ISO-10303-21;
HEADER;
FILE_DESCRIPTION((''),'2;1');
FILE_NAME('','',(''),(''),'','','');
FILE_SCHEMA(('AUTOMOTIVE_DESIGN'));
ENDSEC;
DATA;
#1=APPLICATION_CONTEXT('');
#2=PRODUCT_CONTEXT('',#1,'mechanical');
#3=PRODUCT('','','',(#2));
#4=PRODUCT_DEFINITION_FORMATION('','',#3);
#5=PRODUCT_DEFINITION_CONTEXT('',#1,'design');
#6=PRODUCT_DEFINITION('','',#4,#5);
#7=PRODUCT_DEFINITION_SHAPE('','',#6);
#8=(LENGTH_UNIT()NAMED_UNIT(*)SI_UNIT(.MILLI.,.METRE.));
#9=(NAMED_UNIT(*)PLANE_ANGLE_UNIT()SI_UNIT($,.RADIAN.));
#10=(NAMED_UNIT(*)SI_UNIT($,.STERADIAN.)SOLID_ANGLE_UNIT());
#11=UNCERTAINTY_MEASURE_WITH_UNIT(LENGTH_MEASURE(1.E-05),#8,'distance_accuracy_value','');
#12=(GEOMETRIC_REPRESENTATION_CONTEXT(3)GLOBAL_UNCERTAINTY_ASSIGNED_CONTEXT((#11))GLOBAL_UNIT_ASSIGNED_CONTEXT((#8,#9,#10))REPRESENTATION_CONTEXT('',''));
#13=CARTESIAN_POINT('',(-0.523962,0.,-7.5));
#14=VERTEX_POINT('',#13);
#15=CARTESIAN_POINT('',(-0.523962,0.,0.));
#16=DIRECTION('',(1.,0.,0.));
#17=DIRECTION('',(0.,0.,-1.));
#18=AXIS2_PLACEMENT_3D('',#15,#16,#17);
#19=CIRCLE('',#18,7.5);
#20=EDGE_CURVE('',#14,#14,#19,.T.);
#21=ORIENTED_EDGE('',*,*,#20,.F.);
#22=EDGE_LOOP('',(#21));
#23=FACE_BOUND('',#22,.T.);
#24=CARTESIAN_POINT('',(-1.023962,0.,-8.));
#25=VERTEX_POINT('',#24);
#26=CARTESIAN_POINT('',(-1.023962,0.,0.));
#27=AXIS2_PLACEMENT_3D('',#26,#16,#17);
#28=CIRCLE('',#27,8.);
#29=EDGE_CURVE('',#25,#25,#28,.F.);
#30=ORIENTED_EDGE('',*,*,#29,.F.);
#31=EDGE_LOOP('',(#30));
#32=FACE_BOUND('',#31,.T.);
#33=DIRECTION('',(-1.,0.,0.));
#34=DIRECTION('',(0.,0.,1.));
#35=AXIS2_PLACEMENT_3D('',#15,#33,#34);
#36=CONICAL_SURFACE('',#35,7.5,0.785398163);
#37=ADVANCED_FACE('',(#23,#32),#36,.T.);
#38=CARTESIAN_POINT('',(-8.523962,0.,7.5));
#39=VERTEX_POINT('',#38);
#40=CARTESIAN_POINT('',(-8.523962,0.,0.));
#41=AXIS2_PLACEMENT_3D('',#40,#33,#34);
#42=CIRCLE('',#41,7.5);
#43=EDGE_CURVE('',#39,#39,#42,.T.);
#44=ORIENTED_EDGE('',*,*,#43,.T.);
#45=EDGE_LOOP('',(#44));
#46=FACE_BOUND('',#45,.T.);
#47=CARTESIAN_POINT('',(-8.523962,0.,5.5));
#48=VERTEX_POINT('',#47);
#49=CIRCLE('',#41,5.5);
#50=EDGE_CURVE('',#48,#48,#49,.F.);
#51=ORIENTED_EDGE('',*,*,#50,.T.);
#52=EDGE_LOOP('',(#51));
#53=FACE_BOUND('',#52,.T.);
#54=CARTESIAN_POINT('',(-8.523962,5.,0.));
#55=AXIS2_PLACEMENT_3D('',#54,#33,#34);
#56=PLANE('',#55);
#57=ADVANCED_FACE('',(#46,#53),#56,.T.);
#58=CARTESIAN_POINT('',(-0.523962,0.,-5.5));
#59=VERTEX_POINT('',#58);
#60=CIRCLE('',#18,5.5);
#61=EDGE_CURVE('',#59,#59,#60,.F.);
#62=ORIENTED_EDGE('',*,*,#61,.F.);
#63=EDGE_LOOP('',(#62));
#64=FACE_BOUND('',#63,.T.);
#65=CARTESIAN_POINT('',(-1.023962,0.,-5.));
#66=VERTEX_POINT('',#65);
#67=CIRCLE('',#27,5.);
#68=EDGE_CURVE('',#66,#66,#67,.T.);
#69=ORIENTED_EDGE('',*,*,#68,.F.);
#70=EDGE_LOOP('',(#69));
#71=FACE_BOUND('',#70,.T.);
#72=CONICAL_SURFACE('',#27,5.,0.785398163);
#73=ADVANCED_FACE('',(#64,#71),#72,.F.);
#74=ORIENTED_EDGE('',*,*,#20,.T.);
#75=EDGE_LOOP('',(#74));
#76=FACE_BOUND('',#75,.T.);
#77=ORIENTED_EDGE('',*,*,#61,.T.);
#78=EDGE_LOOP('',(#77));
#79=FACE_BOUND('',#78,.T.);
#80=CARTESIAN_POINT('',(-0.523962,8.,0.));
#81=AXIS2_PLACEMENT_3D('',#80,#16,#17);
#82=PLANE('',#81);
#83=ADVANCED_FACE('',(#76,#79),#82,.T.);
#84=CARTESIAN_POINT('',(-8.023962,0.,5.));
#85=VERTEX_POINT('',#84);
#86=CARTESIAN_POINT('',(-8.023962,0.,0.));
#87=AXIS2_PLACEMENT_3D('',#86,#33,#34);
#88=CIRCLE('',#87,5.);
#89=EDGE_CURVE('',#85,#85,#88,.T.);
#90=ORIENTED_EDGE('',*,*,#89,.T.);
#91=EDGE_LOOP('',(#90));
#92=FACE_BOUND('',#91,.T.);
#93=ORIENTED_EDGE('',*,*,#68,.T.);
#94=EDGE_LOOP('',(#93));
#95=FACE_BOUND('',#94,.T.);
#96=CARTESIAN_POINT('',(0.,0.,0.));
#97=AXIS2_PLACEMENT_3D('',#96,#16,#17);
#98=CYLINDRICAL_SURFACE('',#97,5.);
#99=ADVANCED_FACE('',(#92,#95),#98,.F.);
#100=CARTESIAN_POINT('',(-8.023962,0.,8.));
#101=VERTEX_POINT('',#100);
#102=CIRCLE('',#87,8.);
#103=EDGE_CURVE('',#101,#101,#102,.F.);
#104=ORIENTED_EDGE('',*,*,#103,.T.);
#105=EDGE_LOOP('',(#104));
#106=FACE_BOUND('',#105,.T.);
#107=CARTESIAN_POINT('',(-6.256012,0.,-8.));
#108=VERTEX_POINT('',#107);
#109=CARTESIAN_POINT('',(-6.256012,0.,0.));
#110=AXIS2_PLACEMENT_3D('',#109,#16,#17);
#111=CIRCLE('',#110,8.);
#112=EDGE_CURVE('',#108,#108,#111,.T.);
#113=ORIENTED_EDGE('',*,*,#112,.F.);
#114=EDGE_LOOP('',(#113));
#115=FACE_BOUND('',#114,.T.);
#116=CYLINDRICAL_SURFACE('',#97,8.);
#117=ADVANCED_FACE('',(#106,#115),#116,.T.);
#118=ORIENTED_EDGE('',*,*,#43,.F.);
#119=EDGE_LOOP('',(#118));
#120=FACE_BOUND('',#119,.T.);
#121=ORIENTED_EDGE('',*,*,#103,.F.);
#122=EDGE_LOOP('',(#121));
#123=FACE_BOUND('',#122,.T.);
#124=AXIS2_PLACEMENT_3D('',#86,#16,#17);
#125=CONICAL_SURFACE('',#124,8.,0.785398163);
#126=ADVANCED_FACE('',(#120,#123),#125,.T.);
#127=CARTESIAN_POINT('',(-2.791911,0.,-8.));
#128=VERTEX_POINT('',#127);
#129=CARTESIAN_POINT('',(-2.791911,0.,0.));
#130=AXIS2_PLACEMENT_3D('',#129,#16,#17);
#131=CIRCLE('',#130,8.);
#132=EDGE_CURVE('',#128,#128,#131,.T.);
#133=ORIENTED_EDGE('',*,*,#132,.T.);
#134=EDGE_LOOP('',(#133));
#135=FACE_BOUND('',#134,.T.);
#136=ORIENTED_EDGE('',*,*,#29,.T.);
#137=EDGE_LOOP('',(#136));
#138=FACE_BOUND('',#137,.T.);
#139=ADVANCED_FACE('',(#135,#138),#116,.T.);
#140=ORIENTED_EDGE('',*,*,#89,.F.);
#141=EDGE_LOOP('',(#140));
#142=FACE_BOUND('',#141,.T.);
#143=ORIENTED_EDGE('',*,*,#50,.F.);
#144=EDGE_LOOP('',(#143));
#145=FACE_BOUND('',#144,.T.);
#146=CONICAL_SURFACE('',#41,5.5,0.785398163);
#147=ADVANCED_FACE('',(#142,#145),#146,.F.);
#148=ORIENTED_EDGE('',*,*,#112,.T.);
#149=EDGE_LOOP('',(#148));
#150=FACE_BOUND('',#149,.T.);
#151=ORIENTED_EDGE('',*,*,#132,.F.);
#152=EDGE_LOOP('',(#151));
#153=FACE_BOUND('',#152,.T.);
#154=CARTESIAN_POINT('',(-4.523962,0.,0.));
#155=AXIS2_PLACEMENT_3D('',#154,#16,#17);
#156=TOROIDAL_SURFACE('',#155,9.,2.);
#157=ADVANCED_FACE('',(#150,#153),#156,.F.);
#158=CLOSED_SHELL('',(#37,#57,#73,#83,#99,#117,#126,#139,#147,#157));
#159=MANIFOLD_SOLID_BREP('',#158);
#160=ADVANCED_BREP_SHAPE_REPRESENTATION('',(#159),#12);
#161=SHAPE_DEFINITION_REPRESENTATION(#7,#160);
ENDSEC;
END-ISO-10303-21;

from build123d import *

# Parameters (mm, degrees)
PAH1_SIZE = 0.5


with BuildPart() as part:
    # Çizim1 → Döndür1 (revolve)
    with BuildSketch(Plane.XY, mode=Mode.PRIVATE) as d_nd_r1_sk:
        with BuildLine():
            Line((-0.523961526, 5), (-8.523961526, 5))
            Line((-8.523961526, 5), (-8.523961526, 8))
            Line((-8.523961526, 8), (-6.256012333, 8))
            ThreePointArc((-6.256012333, 8), (-4.523961526, 7), (-2.791910718, 8))
            Line((-2.791910718, 8), (-0.523961526, 8))
            Line((-0.523961526, 8), (-0.523961526, 5))
        make_face()
    revolve(d_nd_r1_sk.sketch.rotate(Axis((0, 0, 0), (-1, 0, 0)), 90), axis=Axis((0, 0, 0), (-1, 0, 0)))

    # Pah1
    pah1_edges = [part.edges().sort_by_distance(p)[0] for p in [
        (-0.523961526, 0, 5),
        (-8.523961526, 0, 5),
        (-8.523961526, 0, 8),
        (-0.523961526, 0, 8),
    ]]
    chamfer(pah1_edges, length=PAH1_SIZE)


solid = part.part
